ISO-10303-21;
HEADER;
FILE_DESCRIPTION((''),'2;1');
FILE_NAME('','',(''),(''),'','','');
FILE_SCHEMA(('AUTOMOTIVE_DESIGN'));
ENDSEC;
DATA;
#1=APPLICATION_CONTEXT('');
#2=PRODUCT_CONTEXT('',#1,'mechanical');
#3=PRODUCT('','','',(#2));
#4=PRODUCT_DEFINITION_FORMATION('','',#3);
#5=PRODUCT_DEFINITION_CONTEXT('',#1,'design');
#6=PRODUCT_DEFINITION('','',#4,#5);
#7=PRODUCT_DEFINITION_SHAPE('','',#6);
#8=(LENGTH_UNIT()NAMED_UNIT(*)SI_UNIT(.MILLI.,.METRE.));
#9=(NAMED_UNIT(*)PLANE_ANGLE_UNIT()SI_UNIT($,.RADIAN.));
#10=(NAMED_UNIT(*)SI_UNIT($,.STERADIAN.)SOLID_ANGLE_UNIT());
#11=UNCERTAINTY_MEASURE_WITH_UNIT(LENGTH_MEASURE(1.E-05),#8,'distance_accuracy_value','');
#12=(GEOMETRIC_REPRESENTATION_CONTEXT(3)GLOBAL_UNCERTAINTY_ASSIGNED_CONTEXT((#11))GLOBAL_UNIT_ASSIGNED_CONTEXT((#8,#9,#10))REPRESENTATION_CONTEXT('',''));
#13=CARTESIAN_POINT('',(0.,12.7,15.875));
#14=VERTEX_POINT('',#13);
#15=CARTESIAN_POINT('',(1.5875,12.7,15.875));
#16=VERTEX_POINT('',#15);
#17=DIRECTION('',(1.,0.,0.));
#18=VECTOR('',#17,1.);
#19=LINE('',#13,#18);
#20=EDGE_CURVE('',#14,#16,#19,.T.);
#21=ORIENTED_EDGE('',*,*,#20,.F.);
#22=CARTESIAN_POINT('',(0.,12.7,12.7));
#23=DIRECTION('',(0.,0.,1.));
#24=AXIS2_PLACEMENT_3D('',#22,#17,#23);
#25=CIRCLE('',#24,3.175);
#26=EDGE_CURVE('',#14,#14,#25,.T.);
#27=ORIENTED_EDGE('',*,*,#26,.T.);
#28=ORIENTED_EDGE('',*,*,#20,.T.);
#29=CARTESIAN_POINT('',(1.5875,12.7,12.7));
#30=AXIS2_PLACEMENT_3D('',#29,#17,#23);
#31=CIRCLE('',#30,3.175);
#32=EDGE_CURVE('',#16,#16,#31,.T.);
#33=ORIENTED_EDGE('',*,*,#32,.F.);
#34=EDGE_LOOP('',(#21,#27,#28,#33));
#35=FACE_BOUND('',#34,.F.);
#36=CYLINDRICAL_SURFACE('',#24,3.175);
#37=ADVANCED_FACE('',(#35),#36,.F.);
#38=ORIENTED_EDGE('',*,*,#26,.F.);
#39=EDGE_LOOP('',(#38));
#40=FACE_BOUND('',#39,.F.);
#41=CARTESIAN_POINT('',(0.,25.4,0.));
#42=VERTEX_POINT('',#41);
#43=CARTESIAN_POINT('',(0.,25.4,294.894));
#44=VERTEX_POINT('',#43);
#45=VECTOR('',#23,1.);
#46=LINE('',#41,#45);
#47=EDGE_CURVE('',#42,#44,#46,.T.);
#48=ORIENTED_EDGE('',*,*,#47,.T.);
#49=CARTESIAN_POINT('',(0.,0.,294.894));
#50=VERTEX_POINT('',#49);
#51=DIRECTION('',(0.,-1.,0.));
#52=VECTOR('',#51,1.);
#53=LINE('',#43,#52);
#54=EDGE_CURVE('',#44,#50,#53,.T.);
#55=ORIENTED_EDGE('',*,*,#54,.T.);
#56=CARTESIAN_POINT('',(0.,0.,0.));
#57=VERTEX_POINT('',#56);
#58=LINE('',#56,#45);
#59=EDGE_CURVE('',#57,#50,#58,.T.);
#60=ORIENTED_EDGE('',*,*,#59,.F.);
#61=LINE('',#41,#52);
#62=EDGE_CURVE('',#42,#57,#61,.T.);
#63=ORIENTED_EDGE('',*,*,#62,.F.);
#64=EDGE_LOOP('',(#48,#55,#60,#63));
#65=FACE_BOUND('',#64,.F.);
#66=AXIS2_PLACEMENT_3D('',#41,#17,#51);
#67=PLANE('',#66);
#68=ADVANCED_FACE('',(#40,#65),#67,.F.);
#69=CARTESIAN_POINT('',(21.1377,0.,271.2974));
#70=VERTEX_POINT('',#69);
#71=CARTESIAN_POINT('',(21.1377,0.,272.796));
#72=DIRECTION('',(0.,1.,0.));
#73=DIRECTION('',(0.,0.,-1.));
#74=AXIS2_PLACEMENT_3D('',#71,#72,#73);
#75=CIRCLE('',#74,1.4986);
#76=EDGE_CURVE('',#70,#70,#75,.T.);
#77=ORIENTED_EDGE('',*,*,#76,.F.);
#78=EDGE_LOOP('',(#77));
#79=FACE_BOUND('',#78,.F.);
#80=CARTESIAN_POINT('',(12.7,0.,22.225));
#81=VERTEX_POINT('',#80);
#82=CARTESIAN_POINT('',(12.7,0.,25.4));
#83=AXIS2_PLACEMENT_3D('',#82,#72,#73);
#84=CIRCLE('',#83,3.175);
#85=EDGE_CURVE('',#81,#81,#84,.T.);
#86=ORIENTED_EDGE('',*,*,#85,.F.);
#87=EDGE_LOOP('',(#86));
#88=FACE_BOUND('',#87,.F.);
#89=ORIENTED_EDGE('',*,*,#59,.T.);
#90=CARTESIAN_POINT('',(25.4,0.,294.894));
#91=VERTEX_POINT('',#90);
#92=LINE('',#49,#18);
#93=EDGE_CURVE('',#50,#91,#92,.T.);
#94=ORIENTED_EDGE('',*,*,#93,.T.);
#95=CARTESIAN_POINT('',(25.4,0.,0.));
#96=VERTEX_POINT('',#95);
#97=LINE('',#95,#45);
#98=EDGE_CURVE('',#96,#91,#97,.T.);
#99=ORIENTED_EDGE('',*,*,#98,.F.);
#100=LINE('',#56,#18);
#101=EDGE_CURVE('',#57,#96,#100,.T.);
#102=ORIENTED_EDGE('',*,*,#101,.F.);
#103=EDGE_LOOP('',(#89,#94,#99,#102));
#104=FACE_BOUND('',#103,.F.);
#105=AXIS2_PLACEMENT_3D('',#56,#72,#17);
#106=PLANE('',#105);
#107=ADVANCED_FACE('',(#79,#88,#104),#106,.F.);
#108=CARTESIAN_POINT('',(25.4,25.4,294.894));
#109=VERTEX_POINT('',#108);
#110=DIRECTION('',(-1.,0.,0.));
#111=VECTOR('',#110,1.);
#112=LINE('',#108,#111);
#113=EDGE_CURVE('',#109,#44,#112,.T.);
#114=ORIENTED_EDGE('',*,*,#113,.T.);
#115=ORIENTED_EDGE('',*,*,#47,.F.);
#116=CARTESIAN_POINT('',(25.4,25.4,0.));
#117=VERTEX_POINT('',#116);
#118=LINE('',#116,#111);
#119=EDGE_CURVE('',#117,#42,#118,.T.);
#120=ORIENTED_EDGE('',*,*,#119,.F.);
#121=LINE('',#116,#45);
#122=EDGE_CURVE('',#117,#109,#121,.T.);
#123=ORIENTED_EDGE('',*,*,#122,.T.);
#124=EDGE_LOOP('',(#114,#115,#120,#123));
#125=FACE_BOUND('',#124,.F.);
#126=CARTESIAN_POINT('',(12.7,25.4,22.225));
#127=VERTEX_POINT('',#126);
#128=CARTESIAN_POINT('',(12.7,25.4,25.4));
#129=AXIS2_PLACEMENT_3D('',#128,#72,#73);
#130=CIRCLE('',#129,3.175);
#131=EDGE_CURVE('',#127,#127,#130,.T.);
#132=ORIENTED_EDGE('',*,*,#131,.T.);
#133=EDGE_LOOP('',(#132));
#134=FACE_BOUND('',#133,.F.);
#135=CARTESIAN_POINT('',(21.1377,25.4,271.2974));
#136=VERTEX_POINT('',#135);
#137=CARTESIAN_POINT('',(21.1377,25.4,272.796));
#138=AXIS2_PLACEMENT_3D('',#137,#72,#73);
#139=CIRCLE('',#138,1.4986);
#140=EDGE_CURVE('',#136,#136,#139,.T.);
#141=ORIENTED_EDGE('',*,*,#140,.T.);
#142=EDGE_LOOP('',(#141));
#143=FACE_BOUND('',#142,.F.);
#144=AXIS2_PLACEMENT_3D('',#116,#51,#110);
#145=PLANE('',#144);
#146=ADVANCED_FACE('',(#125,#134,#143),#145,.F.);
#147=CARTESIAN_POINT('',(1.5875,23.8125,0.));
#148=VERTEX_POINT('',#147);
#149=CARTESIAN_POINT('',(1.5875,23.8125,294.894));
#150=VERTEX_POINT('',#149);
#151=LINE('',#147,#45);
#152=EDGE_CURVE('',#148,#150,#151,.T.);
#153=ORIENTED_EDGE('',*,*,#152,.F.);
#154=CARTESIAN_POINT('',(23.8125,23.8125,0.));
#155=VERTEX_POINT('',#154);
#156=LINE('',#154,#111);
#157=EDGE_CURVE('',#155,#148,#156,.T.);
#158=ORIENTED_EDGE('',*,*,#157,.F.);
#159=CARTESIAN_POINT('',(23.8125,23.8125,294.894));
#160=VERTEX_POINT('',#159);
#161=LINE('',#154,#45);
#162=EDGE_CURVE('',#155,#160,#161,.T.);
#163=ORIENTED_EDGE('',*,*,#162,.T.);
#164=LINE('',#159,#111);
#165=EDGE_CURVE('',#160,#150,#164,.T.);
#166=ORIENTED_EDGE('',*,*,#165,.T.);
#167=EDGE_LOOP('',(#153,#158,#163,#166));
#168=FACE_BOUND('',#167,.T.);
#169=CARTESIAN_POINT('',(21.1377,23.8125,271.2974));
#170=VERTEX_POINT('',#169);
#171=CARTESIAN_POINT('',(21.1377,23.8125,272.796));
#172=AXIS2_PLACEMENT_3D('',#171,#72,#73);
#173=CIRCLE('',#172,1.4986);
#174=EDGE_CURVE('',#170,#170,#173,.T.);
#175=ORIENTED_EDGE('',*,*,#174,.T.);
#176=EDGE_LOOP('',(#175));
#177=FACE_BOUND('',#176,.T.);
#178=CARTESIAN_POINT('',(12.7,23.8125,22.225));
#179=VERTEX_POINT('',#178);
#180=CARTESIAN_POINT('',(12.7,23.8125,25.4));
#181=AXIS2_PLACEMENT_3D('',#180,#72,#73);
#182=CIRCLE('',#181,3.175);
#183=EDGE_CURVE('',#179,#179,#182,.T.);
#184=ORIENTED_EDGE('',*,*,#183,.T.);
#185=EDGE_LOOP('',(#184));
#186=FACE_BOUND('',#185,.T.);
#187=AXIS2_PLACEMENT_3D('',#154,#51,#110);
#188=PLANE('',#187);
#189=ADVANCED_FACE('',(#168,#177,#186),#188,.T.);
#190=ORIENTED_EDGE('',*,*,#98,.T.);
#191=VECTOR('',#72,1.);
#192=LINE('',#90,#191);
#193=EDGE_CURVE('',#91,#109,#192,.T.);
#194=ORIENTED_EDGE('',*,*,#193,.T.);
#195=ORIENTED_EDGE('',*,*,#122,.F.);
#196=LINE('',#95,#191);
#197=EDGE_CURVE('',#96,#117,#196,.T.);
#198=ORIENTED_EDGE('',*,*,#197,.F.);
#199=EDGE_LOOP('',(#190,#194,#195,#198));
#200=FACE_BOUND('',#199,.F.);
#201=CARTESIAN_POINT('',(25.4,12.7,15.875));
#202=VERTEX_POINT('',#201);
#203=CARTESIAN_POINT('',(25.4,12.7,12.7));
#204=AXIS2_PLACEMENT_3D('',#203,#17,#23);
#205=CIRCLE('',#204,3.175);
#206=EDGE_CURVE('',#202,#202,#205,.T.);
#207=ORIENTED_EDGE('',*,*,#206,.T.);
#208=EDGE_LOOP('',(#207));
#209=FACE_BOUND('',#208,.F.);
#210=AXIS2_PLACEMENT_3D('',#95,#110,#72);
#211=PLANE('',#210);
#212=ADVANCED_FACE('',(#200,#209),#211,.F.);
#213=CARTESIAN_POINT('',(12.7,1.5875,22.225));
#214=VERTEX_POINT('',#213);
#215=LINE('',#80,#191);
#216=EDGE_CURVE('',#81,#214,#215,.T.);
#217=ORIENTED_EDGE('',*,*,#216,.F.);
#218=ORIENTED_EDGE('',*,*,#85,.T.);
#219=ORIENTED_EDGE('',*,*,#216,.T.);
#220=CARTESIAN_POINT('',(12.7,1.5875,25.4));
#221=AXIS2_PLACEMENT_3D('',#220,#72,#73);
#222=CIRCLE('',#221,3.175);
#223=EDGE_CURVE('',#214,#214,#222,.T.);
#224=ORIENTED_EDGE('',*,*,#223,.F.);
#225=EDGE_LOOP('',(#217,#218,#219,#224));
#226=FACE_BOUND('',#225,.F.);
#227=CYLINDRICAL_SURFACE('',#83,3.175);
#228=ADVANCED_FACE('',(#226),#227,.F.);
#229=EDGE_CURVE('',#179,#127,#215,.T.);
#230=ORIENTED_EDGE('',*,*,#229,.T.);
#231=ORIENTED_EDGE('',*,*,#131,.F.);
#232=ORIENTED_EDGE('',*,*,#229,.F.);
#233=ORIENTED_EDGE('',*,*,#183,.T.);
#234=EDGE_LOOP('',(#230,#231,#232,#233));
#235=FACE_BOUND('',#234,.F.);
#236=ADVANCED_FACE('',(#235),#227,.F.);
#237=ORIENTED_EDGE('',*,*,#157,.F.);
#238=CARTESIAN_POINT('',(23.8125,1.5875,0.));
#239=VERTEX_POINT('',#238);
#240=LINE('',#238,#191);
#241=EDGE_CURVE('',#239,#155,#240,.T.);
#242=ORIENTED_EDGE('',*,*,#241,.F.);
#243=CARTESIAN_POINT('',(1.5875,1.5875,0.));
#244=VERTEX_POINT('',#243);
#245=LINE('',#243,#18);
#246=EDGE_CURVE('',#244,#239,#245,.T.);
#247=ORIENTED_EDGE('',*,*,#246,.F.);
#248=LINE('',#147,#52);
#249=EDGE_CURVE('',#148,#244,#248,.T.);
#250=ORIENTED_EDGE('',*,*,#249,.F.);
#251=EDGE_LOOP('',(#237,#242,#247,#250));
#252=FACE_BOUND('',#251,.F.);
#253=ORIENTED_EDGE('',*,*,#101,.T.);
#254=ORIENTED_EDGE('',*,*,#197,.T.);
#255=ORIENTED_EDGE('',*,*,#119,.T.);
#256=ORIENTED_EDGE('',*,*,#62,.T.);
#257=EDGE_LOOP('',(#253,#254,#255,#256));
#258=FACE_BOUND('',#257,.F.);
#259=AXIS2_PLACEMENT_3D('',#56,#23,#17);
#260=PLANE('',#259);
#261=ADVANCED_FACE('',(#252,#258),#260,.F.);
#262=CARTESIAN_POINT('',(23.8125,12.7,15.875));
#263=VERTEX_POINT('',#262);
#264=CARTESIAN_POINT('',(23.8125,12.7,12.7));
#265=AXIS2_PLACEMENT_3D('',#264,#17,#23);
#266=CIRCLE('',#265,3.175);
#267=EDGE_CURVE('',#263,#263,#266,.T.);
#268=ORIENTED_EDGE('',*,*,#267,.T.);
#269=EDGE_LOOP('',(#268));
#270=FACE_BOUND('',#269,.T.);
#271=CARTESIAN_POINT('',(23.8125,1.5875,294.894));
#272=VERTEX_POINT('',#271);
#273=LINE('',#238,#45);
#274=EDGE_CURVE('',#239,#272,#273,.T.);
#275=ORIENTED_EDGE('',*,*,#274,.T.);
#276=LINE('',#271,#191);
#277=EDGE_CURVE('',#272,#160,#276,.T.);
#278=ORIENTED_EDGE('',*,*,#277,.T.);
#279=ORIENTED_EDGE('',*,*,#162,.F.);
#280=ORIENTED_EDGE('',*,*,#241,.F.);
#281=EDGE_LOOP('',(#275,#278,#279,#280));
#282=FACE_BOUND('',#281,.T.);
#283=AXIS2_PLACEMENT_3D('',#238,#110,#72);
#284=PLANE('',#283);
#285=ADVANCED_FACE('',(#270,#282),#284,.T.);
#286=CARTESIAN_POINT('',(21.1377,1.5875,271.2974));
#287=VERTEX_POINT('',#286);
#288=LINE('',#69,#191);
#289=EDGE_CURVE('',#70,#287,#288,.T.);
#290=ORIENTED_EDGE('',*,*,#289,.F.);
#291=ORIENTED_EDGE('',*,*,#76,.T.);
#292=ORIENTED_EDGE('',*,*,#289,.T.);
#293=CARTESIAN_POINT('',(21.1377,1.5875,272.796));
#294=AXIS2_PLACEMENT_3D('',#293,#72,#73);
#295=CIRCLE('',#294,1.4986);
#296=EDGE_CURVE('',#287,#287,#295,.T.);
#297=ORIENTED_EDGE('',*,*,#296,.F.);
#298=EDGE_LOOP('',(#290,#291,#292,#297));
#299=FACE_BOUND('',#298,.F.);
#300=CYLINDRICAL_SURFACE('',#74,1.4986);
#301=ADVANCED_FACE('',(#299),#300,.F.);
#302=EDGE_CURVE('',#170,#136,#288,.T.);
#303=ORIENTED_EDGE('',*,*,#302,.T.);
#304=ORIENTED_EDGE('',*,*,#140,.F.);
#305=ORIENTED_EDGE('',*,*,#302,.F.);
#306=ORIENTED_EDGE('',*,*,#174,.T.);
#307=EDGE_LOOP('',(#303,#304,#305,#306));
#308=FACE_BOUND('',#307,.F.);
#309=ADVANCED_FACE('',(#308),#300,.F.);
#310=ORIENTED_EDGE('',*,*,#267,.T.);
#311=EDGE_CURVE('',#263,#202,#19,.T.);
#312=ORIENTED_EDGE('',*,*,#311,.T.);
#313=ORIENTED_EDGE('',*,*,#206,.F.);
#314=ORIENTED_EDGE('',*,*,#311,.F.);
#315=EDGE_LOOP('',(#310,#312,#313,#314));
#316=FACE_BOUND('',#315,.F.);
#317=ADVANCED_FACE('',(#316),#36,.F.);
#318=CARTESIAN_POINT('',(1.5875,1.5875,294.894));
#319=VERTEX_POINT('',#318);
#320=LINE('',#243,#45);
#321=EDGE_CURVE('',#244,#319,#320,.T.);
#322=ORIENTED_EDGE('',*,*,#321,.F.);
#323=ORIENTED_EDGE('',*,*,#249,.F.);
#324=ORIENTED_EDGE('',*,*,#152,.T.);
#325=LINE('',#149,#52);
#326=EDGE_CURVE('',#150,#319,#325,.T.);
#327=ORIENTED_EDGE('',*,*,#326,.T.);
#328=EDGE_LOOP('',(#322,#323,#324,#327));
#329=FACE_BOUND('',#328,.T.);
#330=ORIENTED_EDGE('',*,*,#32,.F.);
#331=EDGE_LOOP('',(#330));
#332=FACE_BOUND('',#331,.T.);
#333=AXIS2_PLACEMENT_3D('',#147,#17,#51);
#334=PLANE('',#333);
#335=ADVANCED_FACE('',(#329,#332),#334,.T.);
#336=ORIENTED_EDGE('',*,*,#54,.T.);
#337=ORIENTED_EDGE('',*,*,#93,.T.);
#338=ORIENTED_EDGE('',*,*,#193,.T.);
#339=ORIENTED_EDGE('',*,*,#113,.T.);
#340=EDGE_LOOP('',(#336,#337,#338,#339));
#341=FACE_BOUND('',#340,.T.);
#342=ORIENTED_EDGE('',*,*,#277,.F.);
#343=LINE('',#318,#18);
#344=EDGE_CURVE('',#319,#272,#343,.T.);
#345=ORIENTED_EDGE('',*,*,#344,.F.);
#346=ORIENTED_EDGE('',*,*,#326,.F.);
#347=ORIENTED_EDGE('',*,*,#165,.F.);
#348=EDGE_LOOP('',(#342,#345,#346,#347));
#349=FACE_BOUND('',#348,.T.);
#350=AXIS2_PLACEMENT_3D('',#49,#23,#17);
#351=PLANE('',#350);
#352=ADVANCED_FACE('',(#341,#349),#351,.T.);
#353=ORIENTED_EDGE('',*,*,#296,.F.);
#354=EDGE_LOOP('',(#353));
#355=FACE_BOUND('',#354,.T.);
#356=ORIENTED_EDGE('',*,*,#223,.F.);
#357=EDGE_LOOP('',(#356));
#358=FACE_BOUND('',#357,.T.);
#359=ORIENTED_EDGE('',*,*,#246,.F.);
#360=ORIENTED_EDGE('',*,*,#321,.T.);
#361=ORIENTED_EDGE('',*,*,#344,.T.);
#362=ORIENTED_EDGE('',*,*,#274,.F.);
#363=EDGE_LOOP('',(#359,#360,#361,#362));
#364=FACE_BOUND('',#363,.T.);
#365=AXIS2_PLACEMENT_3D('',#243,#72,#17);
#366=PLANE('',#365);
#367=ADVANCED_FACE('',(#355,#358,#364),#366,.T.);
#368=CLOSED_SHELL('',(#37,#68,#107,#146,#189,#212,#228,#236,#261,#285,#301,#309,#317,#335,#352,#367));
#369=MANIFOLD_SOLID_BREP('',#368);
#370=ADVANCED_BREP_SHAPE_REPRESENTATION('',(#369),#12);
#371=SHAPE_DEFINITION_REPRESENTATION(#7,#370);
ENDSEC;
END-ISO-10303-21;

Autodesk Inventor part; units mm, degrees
ref_plane "YZ Plane" through (0, 0, 0) normal (1, 0, 0) x (0, 1, 0)
ref_plane "XZ Plane" through (0, 0, 0) normal (0, 1, 0) x (-1, 0, 0)
ref_plane "XY Plane" through (0, 0, 0) normal (0, 0, 1) x (1, 0, 0)
sketch "Sketch1" plane through (0, 0, 0) normal (0, 0, 1) x (1, 0, 0)
  line L0 (0, 0) -> (25.4, 0)
  line L1 (25.4, 0) -> (25.4, 25.4)
  line L2 (25.4, 25.4) -> (0, 25.4)
  line L3 (0, 25.4) -> (0, 0)
  line L4 (1.5875, 1.5875) -> (23.8125, 1.5875)
  line L5 (23.8125, 1.5875) -> (23.8125, 23.8125)
  line L6 (23.8125, 23.8125) -> (1.5875, 23.8125)
  line L7 (1.5875, 23.8125) -> (1.5875, 1.5875)
  dimension "d0" = 25.4
  dimension "d1" = 25.4
  dimension "d2" = 1.5875
  dimension "d3" = 1.5875
  dimension "d4" = 1.5875
  dimension "d5" = 1.5875
extrude "Extrusion1" add sketch "Sketch1" along normal blind 294.894
sketch "Sketch2" plane through (0, 0, 0) normal (0, -1, 0) x (1, 0, 0)
  line L0 (0, 294.894) -> (25.4, 294.894) projected
  point P0 (21.1377, 272.796)
  dimension "d15" = 22.098
hole "Hole1" at (21.1377, 0, 272.796) direction (0, 1, 0) diameter 2.9972 end through all
sketch "Sketch3" plane through (0, 0, 0) normal (-1, 0, 0) x (0, 0, 1)
  line L0 (0, 25.4) -> (0, 0) projected
  line L1 (0, 25.4) -> (294.894, 25.4) projected
  point P0 (12.7, 12.7)
  dimension "d16" = 12.7
  dimension "d17" = 12.7
hole "Hole2" at (0, 12.7, 12.7) direction (1, 0, 0) diameter 6.35 end through all
sketch "Sketch4" plane through (0, 0, 0) normal (0, -1, 0) x (1, 0, 0)
  line L0 (0, 0) -> (25.4, 0) projected
  line L1 (0, 0) -> (0, 294.894) projected
  point P0 (12.7, 25.4)
  dimension "d25" = 25.4
  dimension "d26" = 12.7
hole "Hole3" at (12.7, 0, 25.4) direction (0, 1, 0) diameter 6.35 end through all
properties part number "SwitchBarSupport" material "Aluminum 6061"
